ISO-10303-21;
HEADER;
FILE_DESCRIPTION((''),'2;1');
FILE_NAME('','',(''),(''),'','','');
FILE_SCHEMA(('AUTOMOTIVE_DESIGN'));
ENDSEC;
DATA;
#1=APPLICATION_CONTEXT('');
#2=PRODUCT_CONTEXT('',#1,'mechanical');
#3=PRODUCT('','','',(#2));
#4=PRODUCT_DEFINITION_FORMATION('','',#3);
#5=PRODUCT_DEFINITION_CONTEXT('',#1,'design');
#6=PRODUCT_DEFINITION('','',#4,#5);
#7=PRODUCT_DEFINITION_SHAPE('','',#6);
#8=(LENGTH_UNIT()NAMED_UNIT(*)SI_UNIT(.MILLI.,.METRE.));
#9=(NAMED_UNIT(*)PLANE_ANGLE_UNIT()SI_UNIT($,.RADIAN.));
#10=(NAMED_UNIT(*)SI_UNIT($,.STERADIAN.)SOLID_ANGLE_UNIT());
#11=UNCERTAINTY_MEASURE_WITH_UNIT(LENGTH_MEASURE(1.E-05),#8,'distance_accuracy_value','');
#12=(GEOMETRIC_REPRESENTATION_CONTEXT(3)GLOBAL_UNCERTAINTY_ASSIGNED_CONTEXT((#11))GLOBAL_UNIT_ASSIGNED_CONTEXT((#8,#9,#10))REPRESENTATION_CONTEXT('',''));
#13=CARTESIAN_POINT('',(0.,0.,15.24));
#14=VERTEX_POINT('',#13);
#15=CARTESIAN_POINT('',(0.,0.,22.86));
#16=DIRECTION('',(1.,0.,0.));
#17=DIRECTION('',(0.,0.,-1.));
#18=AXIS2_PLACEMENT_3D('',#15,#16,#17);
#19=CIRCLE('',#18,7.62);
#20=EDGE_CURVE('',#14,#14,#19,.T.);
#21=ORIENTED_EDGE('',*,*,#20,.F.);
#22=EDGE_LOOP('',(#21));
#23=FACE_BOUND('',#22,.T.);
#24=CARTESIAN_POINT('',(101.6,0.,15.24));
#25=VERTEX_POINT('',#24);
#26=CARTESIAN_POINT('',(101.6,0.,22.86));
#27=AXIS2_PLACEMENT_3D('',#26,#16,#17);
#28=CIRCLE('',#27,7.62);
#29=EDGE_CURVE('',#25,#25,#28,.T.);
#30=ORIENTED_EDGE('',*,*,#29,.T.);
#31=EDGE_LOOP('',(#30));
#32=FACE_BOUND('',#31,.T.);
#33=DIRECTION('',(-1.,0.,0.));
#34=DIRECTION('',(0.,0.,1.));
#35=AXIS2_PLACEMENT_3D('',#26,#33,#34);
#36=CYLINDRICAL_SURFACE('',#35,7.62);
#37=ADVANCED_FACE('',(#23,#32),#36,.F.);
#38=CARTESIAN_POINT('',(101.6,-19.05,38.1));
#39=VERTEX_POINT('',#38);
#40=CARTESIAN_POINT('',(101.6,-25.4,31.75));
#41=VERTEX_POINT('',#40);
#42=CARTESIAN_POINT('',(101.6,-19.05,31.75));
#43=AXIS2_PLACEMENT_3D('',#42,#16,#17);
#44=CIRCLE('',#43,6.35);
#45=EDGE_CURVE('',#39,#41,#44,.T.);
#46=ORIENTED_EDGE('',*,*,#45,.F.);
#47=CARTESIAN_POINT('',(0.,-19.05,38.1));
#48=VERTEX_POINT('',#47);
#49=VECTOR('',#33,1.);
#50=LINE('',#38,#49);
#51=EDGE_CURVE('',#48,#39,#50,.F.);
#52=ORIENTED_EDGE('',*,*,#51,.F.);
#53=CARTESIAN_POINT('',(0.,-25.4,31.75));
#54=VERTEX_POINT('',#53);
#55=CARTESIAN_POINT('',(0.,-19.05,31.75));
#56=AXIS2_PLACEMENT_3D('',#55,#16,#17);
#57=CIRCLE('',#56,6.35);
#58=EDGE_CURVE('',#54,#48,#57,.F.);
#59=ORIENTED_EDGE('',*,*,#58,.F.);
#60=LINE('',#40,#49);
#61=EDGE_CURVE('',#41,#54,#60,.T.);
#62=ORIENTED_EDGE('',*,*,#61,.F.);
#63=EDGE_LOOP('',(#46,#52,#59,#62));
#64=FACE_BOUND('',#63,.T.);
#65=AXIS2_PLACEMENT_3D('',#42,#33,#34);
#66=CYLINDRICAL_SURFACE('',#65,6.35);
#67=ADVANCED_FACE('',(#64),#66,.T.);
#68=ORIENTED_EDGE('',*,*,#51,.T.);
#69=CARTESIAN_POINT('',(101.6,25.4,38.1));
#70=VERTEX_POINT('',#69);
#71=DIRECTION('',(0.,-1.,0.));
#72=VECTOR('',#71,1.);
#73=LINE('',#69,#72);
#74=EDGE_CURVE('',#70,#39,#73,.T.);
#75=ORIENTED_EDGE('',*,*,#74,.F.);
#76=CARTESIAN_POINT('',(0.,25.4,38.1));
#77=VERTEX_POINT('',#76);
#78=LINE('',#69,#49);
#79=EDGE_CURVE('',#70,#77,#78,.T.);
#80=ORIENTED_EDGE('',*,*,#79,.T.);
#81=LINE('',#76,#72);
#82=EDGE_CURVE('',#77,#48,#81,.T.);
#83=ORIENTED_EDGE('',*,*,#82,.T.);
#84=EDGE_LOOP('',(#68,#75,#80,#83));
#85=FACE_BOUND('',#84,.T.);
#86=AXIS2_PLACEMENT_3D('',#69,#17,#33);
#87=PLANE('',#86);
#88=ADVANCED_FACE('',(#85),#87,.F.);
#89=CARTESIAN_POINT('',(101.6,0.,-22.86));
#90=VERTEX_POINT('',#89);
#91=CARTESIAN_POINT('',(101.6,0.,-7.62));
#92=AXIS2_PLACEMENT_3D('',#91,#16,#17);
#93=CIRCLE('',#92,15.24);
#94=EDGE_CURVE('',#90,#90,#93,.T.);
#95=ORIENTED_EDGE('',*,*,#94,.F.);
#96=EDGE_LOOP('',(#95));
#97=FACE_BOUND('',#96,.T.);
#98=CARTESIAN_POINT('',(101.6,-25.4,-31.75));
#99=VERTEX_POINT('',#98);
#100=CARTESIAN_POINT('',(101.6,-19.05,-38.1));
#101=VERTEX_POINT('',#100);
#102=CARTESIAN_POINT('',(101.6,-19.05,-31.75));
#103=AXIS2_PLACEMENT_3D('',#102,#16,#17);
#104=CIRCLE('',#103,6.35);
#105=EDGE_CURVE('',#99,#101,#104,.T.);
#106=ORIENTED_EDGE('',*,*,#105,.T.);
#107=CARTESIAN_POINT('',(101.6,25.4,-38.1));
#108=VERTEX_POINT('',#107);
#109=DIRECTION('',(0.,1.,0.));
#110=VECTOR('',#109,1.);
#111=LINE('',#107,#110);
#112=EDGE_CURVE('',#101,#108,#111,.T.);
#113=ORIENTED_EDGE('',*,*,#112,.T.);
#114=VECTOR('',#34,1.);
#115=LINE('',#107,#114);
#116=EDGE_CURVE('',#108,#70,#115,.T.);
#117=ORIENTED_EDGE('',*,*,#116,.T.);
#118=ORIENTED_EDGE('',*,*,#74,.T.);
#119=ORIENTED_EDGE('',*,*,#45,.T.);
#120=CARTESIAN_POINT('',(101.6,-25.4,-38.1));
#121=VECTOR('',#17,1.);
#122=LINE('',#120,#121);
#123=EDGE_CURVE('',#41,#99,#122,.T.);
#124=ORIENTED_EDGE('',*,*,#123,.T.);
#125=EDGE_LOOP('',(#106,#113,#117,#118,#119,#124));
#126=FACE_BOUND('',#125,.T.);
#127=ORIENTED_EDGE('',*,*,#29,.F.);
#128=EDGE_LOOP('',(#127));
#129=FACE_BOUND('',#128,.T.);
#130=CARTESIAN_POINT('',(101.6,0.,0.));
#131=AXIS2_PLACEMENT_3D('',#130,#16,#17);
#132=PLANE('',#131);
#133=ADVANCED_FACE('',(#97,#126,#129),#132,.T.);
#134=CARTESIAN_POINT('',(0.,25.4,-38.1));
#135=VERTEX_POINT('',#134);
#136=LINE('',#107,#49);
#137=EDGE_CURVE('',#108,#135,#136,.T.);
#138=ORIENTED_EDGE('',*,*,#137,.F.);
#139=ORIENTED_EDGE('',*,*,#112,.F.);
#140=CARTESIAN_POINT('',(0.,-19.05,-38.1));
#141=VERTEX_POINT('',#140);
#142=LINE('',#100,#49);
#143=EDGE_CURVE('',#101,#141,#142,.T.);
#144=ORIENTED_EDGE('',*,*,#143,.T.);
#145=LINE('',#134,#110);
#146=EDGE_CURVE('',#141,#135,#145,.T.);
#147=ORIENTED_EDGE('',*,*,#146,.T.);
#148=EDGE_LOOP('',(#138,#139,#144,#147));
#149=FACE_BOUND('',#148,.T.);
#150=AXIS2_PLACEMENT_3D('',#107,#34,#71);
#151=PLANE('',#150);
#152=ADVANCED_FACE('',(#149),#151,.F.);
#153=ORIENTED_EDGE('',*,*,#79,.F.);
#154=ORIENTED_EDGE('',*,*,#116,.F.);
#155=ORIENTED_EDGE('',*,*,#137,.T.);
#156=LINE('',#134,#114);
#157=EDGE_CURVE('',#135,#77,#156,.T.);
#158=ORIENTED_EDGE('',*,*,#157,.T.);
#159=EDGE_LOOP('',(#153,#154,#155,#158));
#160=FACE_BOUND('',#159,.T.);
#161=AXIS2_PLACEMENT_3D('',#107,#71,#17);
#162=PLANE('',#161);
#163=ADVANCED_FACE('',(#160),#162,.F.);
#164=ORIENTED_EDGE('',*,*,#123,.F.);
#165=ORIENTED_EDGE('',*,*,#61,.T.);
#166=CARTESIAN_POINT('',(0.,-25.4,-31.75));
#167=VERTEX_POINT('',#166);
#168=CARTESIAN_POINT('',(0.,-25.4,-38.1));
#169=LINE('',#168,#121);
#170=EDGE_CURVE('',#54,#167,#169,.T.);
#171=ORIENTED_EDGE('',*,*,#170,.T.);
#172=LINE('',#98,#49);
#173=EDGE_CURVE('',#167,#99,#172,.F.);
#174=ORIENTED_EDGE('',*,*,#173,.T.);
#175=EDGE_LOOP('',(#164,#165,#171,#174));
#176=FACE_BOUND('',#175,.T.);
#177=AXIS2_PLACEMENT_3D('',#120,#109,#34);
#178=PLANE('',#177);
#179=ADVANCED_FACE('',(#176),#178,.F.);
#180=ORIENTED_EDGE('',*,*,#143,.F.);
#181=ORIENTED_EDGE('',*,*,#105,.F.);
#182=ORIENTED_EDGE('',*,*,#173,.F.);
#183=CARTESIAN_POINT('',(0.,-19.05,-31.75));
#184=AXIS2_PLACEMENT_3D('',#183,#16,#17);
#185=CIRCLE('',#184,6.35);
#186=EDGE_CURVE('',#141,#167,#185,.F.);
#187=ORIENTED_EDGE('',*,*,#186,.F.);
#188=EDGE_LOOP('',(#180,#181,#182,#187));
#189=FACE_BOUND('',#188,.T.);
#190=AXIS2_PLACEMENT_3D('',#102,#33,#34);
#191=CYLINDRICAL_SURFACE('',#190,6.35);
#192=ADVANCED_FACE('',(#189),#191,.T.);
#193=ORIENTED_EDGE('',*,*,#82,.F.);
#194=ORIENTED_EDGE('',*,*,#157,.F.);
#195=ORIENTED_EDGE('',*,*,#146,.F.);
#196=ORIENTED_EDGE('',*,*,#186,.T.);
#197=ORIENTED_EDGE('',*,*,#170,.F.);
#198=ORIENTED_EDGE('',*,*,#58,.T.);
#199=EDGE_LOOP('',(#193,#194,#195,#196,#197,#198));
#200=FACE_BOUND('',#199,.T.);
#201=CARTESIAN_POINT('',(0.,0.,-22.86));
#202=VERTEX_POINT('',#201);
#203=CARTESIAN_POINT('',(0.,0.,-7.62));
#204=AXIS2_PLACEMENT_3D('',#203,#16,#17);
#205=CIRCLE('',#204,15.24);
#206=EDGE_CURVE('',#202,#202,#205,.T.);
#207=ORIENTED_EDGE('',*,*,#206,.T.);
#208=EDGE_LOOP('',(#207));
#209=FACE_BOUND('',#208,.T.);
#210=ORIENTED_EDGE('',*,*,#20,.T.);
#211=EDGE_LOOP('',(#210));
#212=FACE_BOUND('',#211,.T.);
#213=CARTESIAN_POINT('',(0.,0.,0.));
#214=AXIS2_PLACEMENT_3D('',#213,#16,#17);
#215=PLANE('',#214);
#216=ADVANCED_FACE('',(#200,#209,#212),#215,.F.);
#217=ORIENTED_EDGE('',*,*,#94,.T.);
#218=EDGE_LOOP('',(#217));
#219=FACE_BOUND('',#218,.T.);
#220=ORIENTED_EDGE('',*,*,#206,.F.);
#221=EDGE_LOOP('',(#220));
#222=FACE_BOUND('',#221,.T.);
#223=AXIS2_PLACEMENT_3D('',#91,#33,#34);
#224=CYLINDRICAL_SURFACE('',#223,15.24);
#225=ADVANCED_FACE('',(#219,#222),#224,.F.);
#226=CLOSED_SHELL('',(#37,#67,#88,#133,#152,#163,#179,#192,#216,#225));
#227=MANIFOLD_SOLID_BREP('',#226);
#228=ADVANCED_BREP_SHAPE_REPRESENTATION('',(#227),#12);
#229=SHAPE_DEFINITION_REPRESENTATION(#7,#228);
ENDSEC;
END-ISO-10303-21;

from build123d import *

# Parameters (mm, degrees)
SKETCH1_W           = 50.8
SKETCH1_H           = 76.2
SKETCH1_R           = 15.24
SKETCH1_R_2         = 7.62
BOSS_EXTRUDE1_DEPTH = 101.6
FILLET1_R           = 6.35


with BuildPart() as part:
    # Sketch1 → Boss-Extrude1 (new body)
    with BuildSketch(Plane.YZ):
        Rectangle(SKETCH1_W, SKETCH1_H)
        with Locations(Location((0, -7.62, 0), (0, 0, 270))):
            Circle(SKETCH1_R, mode=Mode.SUBTRACT)
        with Locations(Location((0, 22.86, 0), (0, 0, 270))):
            Circle(SKETCH1_R_2, mode=Mode.SUBTRACT)
    extrude(amount=BOSS_EXTRUDE1_DEPTH)

    # Fillet1
    fillet1_edges = [part.edges().sort_by_distance(p)[0] for p in [
        (50.8, -25.4, 38.1),
        (50.8, -25.4, -38.1),
    ]]
    fillet(fillet1_edges, radius=FILLET1_R)


solid = part.part
